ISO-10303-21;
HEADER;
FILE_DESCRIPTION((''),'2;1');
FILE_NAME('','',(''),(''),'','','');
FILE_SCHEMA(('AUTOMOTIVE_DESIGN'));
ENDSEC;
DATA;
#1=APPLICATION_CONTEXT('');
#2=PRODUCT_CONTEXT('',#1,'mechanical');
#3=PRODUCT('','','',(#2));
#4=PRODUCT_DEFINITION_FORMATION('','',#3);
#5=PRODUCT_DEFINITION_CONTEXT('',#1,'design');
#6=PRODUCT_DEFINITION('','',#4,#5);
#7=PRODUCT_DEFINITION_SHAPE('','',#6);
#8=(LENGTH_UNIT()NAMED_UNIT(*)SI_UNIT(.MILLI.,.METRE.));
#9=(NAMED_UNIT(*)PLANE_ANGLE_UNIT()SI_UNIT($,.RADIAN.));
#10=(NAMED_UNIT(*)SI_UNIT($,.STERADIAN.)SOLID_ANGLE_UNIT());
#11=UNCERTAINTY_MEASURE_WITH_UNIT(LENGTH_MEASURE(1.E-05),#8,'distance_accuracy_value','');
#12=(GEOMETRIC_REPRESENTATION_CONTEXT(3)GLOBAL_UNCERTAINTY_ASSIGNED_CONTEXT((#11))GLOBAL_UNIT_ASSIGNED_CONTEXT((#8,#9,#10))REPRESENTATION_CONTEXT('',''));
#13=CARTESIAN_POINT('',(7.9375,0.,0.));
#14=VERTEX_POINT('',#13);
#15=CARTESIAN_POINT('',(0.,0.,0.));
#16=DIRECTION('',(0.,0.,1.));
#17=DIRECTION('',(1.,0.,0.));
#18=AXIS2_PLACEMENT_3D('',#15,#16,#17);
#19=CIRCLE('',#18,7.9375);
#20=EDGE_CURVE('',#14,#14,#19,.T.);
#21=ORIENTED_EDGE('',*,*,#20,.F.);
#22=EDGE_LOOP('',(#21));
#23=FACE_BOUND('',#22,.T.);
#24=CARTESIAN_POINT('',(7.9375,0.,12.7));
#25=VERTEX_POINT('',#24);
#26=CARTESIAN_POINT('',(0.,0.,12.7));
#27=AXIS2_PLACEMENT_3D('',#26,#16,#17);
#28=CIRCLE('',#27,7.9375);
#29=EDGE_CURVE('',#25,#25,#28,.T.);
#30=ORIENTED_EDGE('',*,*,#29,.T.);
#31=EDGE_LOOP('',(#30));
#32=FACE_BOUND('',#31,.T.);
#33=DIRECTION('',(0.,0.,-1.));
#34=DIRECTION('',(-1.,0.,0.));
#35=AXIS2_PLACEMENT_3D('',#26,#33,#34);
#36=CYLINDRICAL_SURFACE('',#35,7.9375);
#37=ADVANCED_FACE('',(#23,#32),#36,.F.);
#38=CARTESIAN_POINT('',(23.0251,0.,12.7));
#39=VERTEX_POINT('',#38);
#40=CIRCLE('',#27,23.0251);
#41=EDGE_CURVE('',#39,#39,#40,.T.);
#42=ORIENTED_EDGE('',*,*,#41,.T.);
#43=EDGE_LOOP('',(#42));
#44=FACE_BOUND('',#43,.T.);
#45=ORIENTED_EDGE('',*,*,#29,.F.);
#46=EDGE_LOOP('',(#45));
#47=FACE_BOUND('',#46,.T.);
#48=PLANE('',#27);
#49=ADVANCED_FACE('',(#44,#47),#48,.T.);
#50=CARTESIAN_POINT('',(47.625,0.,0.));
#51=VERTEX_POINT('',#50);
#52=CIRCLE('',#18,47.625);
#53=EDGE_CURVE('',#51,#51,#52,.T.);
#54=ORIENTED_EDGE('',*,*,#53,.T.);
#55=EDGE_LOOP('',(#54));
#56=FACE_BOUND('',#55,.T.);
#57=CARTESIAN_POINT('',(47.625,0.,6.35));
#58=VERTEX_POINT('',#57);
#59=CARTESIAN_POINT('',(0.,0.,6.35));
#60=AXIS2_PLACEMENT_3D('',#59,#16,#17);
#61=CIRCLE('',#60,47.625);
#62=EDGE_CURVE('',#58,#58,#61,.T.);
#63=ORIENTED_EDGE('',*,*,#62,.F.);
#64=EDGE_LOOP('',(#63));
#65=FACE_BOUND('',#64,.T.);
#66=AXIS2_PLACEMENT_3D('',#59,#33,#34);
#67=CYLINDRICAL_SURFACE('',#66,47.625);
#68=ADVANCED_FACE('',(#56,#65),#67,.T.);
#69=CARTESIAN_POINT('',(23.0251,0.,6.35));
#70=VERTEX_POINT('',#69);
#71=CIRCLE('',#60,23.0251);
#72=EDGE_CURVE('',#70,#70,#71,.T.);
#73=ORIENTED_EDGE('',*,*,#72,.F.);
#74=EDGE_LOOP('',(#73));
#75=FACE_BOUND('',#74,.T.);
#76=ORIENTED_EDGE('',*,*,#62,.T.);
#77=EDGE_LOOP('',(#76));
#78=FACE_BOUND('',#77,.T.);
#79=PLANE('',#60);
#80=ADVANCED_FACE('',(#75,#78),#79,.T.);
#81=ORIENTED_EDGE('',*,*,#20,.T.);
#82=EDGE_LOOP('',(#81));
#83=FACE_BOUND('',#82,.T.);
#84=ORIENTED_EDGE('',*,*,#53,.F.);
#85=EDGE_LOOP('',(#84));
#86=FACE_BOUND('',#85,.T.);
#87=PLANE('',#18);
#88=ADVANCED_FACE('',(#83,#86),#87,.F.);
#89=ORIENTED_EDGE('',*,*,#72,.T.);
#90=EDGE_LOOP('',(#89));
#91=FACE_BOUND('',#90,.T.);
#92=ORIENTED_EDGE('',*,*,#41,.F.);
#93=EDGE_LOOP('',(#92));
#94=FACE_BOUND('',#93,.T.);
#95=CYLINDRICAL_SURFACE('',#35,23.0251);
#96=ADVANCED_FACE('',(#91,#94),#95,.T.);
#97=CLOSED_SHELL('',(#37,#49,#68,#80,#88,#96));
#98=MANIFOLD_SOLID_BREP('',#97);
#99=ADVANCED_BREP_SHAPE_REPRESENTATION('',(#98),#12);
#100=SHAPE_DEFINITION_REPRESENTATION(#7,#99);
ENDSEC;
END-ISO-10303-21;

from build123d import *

# Parameters (mm, degrees)
SKETCH1_R           = 47.625
BOSS_EXTRUDE1_DEPTH = 6.35
SKETCH2_R           = 23.0251
BOSS_EXTRUDE2_DEPTH = 6.35
SKETCH4_R           = 7.9375
CUT_EXTRUDE2_DEPTH  = 69.538830235


with BuildPart() as part:
    # Sketch1 → Boss-Extrude1 (new body)
    with BuildSketch(Plane.XY):
        Circle(SKETCH1_R)
    extrude(amount=BOSS_EXTRUDE1_DEPTH)

    # Sketch2 → Boss-Extrude2 (add)
    with BuildSketch(Plane.XY.offset(6.35)):
        Circle(SKETCH2_R)
    extrude(amount=BOSS_EXTRUDE2_DEPTH)

    # Sketch4 → Cut-Extrude2 (cut, through all)
    with BuildSketch(Plane.XY):
        Circle(SKETCH4_R)
    extrude(amount=CUT_EXTRUDE2_DEPTH, mode=Mode.SUBTRACT)


solid = part.part
